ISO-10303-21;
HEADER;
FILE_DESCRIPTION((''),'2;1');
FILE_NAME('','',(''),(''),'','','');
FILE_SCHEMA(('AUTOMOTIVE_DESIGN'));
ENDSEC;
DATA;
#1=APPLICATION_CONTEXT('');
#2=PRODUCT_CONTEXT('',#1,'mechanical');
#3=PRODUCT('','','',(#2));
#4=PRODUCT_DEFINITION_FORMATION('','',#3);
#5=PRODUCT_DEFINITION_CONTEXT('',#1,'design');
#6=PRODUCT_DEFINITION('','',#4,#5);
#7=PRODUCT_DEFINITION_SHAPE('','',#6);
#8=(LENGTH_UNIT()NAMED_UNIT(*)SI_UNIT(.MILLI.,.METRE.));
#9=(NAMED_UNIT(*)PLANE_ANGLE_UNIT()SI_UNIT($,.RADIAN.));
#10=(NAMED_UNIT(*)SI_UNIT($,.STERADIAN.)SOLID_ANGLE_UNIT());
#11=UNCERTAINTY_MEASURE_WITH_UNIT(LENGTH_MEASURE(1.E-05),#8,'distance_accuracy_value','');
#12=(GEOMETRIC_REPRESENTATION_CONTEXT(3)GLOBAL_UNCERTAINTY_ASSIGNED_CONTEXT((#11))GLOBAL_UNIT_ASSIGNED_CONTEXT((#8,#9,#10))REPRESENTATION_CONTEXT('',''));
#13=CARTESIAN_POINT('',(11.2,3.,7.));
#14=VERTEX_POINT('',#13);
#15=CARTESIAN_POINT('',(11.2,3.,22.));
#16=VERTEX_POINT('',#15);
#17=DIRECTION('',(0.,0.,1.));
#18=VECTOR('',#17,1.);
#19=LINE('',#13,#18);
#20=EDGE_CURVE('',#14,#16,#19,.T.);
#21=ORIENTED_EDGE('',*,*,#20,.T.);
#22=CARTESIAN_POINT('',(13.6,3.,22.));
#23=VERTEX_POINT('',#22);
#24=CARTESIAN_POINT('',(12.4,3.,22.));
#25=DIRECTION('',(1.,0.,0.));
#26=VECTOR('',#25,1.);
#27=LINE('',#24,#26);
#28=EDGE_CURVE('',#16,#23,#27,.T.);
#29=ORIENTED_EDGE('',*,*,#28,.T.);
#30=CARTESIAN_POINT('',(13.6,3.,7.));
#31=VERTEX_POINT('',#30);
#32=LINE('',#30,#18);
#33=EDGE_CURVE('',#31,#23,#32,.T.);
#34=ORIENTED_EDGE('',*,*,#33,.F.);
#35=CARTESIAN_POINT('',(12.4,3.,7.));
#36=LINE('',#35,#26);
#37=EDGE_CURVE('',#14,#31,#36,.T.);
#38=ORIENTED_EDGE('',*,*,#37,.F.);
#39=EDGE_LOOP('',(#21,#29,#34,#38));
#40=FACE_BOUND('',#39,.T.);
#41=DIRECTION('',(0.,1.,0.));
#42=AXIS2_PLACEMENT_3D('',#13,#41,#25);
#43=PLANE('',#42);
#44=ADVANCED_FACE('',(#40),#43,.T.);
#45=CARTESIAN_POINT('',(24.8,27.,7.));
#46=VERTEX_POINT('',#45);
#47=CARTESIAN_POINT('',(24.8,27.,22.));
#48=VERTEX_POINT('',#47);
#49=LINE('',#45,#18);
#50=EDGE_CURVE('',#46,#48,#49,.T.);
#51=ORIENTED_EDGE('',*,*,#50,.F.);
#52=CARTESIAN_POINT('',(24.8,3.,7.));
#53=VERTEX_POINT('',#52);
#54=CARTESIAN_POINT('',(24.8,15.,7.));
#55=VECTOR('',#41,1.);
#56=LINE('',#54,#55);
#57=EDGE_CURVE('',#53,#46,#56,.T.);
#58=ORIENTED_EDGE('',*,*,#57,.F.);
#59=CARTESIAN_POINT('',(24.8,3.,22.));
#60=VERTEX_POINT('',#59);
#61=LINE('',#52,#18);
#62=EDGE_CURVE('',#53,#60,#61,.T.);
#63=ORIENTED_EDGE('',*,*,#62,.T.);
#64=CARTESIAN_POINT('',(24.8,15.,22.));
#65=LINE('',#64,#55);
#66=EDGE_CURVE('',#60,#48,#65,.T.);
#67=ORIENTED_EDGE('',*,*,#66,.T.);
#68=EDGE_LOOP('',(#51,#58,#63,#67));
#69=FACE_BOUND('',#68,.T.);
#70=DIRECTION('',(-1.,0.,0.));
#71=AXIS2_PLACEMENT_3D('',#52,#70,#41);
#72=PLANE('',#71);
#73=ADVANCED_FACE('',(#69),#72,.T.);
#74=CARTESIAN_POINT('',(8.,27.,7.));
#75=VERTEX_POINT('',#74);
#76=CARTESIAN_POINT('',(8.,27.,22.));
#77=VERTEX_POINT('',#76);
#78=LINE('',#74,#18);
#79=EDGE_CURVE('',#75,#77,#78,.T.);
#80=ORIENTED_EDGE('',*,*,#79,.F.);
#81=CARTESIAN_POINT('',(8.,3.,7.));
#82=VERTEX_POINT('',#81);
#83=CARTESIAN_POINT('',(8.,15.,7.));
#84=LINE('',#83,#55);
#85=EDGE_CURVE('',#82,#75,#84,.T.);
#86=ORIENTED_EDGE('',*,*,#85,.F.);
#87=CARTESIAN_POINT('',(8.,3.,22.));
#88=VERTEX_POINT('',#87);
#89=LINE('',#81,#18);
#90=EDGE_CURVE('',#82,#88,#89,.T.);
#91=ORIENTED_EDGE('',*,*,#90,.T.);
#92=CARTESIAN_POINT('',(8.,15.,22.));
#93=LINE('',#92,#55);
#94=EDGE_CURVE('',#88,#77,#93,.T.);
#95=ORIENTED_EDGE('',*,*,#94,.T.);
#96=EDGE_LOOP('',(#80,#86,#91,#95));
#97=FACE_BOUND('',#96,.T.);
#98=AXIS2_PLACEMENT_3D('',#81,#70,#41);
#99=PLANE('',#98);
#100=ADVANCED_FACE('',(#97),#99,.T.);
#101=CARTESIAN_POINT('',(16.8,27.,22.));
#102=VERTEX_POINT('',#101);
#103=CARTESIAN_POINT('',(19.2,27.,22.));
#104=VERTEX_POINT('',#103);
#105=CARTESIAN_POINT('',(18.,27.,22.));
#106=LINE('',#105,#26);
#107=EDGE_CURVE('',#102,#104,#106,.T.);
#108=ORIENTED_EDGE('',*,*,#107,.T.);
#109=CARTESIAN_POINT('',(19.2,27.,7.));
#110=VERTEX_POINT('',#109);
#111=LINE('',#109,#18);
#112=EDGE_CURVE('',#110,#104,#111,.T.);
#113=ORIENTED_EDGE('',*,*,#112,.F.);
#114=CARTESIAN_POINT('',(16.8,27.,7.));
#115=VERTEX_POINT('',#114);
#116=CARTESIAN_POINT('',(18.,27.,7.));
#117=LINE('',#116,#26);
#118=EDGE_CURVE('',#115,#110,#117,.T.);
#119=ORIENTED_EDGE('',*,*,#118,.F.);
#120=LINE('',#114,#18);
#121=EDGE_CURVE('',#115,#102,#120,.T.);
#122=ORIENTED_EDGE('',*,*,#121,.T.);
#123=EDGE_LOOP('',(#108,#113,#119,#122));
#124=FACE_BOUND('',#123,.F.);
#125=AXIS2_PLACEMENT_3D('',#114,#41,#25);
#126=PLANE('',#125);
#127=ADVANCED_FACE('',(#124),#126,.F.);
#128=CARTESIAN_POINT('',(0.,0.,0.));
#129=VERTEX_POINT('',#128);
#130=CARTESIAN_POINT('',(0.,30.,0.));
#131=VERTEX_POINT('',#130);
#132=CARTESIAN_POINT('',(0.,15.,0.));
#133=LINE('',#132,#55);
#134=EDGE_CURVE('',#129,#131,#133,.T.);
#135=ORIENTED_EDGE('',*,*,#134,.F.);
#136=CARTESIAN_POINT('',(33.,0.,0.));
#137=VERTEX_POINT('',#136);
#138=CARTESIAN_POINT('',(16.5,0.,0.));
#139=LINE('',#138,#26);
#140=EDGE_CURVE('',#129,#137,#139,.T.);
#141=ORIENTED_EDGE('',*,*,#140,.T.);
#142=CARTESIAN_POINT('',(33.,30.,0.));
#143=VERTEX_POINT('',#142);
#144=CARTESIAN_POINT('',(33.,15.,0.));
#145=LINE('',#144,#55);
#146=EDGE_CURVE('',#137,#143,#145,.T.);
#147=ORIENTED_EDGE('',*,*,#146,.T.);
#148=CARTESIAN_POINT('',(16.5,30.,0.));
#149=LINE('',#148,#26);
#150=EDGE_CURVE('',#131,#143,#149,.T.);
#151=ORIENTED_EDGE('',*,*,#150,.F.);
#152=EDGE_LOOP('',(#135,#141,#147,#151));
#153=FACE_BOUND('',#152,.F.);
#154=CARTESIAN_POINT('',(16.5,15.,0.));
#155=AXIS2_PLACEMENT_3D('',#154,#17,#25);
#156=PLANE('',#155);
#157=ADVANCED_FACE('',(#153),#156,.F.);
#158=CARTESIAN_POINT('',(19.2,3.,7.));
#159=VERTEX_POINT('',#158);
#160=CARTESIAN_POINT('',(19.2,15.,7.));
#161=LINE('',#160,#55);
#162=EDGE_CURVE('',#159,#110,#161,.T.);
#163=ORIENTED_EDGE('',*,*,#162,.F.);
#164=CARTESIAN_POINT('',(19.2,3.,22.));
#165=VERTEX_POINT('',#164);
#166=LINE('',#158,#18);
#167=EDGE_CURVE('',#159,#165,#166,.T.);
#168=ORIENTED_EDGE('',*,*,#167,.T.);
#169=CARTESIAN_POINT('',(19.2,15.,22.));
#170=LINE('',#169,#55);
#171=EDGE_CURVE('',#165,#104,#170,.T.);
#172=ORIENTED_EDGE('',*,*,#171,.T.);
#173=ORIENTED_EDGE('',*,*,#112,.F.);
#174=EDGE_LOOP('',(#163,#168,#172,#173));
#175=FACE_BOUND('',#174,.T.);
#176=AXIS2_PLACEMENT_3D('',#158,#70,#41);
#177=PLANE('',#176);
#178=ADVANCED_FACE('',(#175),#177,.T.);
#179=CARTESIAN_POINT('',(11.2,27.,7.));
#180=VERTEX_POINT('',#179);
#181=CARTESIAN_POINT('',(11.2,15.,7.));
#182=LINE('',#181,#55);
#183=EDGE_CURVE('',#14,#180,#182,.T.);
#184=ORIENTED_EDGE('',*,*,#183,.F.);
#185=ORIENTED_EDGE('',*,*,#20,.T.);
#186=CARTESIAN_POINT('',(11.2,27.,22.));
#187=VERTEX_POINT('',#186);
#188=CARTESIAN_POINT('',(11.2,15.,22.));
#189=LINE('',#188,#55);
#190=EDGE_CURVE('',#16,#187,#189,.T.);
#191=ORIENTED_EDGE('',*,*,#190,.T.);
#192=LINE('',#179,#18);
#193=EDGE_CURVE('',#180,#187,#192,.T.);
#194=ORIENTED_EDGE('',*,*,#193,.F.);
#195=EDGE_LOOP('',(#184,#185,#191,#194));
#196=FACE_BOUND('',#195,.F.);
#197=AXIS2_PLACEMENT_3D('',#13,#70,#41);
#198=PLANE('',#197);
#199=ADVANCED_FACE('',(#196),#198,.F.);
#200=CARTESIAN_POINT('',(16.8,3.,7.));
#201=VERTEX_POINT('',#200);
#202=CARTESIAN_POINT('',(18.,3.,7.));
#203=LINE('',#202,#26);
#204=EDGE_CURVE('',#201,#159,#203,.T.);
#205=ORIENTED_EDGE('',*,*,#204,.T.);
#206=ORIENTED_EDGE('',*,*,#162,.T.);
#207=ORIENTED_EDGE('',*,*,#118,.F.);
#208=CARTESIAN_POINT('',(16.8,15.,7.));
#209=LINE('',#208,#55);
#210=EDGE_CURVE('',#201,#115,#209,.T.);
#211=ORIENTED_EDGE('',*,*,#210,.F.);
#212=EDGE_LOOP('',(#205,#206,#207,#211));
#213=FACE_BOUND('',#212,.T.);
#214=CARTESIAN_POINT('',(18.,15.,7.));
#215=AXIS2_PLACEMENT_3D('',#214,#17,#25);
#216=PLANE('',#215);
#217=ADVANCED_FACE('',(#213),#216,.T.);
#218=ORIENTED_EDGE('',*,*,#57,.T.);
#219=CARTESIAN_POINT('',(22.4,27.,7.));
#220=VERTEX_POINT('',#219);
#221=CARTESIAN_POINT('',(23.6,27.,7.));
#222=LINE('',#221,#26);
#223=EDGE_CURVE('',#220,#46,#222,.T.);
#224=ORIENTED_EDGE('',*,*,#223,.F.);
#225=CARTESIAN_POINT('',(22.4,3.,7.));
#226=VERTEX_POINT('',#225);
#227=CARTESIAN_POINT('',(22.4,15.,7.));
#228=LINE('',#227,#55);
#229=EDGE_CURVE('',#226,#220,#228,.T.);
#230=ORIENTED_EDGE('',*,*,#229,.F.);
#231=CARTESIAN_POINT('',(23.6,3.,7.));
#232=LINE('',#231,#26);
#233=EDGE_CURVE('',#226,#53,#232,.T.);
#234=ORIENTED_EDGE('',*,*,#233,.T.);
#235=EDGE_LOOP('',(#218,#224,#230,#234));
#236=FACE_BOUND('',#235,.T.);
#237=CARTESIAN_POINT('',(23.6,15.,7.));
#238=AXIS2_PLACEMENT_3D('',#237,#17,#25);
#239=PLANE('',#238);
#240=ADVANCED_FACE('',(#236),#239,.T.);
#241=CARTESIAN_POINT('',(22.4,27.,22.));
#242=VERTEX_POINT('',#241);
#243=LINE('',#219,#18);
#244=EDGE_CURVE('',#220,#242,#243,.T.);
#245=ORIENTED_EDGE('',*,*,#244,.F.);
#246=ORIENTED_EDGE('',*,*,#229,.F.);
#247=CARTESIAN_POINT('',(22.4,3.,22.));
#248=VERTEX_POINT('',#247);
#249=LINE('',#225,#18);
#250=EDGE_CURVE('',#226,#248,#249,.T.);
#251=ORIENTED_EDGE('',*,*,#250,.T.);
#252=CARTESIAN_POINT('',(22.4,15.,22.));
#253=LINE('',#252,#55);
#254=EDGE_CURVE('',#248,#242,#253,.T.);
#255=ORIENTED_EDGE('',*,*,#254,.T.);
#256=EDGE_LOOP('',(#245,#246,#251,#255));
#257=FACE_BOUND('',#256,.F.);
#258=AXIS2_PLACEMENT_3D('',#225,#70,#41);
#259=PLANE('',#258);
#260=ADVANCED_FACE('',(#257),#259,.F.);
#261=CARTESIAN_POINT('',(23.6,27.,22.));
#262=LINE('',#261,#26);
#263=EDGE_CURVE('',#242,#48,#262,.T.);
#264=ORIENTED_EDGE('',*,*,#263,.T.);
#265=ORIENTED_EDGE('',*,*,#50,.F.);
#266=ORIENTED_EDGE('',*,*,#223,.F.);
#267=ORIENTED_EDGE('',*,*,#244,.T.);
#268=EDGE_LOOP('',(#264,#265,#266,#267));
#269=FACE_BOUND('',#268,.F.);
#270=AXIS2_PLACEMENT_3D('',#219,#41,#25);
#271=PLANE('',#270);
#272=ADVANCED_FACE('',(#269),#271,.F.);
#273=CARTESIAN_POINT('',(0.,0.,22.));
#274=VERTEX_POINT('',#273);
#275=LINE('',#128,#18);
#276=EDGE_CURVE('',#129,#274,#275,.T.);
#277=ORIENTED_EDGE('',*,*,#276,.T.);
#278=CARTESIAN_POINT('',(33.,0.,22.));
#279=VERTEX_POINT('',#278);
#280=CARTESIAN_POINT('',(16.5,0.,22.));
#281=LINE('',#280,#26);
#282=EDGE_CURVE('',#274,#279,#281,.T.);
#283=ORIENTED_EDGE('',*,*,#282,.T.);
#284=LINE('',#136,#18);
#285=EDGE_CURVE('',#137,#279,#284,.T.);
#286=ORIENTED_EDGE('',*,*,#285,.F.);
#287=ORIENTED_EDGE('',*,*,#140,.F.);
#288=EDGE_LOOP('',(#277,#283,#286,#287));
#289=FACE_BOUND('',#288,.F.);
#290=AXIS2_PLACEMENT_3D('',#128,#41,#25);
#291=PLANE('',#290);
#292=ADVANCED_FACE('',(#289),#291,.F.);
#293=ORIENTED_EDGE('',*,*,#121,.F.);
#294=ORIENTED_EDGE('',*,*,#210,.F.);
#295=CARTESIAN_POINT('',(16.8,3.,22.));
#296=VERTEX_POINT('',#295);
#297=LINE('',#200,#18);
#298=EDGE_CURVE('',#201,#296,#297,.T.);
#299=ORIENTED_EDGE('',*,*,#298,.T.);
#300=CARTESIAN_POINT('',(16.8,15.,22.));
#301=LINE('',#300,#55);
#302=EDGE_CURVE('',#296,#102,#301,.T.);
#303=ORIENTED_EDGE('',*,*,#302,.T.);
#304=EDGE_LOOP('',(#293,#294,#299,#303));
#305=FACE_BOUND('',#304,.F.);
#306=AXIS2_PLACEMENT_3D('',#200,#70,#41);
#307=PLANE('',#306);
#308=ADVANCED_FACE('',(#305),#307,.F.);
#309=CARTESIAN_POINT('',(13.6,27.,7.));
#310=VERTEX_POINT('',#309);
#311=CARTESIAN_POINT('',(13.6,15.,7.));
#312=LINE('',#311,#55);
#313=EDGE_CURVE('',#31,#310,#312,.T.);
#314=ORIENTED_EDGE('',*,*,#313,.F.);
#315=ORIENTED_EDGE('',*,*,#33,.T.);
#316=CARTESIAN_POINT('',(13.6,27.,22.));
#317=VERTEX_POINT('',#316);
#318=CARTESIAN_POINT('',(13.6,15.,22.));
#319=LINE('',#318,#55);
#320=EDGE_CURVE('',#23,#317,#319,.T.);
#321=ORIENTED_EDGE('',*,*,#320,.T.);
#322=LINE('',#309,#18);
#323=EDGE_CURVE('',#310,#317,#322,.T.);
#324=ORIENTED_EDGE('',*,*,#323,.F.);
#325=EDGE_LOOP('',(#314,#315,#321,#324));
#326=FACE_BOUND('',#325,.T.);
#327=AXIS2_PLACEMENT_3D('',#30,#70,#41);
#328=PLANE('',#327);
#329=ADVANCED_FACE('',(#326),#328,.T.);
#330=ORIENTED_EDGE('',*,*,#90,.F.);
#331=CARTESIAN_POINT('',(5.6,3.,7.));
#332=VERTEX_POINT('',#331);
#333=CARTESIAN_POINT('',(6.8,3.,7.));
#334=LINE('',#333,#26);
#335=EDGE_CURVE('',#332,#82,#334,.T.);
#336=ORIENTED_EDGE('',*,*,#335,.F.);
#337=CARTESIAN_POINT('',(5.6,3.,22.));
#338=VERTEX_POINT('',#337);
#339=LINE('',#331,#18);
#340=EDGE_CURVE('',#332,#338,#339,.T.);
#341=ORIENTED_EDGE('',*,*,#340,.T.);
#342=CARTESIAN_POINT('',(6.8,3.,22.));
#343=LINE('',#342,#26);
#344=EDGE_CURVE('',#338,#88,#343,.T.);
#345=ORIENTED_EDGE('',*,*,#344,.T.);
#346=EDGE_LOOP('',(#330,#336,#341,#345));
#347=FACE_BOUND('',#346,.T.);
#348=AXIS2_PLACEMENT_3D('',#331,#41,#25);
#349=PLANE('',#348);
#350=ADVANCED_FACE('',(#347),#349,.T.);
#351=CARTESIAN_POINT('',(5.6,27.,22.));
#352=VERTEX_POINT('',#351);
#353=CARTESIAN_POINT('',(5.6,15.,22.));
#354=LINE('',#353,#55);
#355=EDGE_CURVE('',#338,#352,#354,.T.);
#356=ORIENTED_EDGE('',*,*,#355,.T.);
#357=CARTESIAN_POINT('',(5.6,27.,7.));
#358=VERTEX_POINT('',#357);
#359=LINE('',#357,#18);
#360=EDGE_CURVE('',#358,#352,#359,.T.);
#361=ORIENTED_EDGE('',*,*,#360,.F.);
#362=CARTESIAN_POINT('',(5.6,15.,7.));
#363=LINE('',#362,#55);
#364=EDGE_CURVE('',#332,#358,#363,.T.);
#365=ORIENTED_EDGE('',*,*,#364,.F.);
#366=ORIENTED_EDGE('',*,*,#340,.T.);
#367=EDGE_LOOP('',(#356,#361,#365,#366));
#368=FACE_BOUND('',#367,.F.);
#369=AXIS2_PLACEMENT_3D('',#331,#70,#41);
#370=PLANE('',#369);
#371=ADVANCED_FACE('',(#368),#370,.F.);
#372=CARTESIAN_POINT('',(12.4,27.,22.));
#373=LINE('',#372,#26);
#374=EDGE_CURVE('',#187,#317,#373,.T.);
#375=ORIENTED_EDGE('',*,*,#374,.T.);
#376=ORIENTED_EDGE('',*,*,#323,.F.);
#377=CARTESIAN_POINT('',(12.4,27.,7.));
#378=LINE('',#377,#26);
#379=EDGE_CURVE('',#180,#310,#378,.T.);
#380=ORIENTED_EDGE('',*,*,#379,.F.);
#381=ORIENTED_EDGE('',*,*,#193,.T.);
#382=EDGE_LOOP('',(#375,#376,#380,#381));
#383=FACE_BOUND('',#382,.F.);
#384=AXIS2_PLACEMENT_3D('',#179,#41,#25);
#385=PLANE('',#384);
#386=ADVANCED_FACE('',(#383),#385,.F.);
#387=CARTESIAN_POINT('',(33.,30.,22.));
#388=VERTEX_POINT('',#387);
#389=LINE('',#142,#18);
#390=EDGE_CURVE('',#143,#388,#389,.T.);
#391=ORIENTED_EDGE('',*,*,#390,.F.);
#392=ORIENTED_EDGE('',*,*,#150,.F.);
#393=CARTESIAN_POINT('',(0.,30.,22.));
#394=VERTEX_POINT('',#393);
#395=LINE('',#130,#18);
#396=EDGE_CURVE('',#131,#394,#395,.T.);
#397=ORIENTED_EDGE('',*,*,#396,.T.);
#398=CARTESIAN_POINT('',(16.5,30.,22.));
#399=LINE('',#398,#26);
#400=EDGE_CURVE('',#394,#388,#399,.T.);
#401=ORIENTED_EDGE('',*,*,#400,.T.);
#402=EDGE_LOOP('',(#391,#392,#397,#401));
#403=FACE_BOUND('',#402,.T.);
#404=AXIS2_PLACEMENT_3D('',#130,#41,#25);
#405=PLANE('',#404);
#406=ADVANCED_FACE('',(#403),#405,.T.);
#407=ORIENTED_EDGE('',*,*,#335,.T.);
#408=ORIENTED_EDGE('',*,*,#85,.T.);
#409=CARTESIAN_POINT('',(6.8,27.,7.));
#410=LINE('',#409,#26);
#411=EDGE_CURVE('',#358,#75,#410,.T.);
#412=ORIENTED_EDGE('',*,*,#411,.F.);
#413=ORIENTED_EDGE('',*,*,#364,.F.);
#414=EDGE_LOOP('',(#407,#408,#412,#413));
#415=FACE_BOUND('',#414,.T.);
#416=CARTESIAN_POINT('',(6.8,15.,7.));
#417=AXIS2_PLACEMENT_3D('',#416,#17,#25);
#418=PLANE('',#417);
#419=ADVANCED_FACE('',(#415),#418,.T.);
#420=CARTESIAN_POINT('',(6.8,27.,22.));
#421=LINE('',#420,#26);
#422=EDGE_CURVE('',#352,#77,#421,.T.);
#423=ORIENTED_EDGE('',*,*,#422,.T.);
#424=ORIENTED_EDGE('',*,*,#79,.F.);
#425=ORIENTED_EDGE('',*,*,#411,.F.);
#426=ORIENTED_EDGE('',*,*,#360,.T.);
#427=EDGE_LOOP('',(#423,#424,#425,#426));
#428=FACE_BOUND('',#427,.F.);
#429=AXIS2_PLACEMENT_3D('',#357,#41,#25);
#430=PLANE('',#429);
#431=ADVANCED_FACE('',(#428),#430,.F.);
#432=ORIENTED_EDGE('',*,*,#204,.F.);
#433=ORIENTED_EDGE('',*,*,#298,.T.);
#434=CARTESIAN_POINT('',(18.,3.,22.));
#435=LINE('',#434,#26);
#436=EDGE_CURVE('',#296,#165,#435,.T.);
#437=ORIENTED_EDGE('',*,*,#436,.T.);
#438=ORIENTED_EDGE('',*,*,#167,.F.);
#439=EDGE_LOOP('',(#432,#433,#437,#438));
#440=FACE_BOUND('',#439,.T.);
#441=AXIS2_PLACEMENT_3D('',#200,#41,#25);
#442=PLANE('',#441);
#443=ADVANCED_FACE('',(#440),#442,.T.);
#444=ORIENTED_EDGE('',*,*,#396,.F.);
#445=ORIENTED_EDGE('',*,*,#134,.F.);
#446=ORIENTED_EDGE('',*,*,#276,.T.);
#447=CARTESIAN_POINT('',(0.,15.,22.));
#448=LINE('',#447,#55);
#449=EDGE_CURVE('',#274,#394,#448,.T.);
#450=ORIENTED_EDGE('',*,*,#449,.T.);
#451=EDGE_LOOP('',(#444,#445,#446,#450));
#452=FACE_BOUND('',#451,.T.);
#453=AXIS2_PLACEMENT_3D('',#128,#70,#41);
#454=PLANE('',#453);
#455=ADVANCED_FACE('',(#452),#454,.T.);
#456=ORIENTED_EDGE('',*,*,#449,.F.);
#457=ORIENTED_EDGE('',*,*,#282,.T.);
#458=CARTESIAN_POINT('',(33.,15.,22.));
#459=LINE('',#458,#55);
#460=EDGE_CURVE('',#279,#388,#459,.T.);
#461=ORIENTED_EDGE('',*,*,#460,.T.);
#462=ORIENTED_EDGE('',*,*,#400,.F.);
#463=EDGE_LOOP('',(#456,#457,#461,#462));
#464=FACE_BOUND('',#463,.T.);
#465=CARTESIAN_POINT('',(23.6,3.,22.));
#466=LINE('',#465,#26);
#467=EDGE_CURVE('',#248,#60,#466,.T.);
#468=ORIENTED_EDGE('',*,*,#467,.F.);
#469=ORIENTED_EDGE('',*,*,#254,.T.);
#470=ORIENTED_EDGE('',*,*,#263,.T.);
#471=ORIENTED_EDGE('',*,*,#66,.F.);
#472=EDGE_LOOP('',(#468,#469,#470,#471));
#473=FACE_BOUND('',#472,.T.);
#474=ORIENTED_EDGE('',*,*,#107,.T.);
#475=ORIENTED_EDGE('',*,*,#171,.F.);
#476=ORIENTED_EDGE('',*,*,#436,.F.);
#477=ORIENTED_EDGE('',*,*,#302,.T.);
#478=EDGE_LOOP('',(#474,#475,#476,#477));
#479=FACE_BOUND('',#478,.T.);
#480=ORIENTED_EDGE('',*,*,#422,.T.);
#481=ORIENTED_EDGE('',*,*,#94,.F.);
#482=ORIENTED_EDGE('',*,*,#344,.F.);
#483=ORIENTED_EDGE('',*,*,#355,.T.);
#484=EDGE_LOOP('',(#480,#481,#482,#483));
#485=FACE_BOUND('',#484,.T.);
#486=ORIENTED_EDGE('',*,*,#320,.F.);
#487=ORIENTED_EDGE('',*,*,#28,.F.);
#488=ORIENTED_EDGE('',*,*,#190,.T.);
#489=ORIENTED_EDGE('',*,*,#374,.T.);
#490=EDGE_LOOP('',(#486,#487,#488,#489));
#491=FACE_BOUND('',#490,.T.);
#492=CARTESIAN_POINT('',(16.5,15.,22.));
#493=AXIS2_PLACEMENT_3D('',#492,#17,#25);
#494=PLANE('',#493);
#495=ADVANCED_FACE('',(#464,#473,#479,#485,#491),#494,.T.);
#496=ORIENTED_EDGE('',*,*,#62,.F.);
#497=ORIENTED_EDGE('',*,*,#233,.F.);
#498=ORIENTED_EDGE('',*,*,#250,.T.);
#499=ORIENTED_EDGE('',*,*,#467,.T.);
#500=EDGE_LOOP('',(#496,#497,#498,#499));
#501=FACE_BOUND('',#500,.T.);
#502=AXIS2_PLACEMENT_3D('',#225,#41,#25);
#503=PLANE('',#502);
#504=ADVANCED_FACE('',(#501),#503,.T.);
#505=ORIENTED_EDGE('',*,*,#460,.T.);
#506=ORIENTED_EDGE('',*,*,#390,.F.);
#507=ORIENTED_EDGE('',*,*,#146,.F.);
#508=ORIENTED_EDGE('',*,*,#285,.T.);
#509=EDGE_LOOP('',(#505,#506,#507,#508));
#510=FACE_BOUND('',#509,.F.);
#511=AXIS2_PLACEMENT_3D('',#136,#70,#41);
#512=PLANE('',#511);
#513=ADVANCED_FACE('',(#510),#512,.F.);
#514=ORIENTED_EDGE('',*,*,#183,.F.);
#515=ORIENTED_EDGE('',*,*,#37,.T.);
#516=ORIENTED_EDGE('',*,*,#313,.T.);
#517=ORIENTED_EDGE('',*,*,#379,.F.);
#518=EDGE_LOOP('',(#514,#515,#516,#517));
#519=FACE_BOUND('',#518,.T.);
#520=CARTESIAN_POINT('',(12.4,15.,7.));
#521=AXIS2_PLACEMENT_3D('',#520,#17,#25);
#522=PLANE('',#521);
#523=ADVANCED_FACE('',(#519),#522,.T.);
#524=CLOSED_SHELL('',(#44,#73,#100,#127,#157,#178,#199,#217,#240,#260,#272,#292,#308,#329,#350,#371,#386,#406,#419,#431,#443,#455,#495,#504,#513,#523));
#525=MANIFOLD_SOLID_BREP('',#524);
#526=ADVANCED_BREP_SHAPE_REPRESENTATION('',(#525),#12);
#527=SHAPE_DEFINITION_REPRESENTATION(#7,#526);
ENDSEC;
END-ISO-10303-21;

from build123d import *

# Parameters (mm, degrees)
BOX004_W     = 2.4
BOX004_H     = 24
BOX004_DEPTH = 15
BOX003_W     = 2.4
BOX003_H     = 24
BOX003_DEPTH = 15
BOX001_W     = 2.4
BOX001_H     = 24
BOX001_DEPTH = 15
BOX002_W     = 2.4
BOX002_H     = 24
BOX002_DEPTH = 15
BOX_W        = 33
BOX_H        = 30
BOX_DEPTH    = 22


with BuildPart() as ranura003:
    # Box004 → Box004 (new body)
    with BuildSketch(Plane(origin=(22.4, 3, 7), x_dir=(1, 0, 0), z_dir=(0, 0, 1))):
        with Locations((1.2, 12)):
            Rectangle(BOX004_W, BOX004_H)
    extrude(amount=BOX004_DEPTH)


with BuildPart() as fusion:
    # Box003 → Box003 (new body)
    with BuildSketch(Plane(origin=(16.8, 3, 7), x_dir=(1, 0, 0), z_dir=(0, 0, 1))):
        with Locations((1.2, 12)):
            Rectangle(BOX003_W, BOX003_H)
    extrude(amount=BOX003_DEPTH)

    # Fusion: union ranura003
    add(ranura003.part)


with BuildPart() as ranura:
    # Box001 → Box001 (new body)
    with BuildSketch(Plane(origin=(5.6, 3, 7), x_dir=(1, 0, 0), z_dir=(0, 0, 1))):
        with Locations((1.2, 12)):
            Rectangle(BOX001_W, BOX001_H)
    extrude(amount=BOX001_DEPTH)


with BuildPart() as fusion002:
    # Box002 → Box002 (new body)
    with BuildSketch(Plane(origin=(11.2, 3, 7), x_dir=(1, 0, 0), z_dir=(0, 0, 1))):
        with Locations((1.2, 12)):
            Rectangle(BOX002_W, BOX002_H)
    extrude(amount=BOX002_DEPTH)

    # Fusion001: union ranura
    add(ranura.part)

    # Fusion002: union Fusion
    add(fusion.part)


with BuildPart() as cut:
    # Box → Box (new body)
    with BuildSketch(Plane.XY):
        with Locations((16.5, 15)):
            Rectangle(BOX_W, BOX_H)
    extrude(amount=BOX_DEPTH)

    # Cut: cut Fusion002
    add(fusion002.part, mode=Mode.SUBTRACT)


solid = cut.part
